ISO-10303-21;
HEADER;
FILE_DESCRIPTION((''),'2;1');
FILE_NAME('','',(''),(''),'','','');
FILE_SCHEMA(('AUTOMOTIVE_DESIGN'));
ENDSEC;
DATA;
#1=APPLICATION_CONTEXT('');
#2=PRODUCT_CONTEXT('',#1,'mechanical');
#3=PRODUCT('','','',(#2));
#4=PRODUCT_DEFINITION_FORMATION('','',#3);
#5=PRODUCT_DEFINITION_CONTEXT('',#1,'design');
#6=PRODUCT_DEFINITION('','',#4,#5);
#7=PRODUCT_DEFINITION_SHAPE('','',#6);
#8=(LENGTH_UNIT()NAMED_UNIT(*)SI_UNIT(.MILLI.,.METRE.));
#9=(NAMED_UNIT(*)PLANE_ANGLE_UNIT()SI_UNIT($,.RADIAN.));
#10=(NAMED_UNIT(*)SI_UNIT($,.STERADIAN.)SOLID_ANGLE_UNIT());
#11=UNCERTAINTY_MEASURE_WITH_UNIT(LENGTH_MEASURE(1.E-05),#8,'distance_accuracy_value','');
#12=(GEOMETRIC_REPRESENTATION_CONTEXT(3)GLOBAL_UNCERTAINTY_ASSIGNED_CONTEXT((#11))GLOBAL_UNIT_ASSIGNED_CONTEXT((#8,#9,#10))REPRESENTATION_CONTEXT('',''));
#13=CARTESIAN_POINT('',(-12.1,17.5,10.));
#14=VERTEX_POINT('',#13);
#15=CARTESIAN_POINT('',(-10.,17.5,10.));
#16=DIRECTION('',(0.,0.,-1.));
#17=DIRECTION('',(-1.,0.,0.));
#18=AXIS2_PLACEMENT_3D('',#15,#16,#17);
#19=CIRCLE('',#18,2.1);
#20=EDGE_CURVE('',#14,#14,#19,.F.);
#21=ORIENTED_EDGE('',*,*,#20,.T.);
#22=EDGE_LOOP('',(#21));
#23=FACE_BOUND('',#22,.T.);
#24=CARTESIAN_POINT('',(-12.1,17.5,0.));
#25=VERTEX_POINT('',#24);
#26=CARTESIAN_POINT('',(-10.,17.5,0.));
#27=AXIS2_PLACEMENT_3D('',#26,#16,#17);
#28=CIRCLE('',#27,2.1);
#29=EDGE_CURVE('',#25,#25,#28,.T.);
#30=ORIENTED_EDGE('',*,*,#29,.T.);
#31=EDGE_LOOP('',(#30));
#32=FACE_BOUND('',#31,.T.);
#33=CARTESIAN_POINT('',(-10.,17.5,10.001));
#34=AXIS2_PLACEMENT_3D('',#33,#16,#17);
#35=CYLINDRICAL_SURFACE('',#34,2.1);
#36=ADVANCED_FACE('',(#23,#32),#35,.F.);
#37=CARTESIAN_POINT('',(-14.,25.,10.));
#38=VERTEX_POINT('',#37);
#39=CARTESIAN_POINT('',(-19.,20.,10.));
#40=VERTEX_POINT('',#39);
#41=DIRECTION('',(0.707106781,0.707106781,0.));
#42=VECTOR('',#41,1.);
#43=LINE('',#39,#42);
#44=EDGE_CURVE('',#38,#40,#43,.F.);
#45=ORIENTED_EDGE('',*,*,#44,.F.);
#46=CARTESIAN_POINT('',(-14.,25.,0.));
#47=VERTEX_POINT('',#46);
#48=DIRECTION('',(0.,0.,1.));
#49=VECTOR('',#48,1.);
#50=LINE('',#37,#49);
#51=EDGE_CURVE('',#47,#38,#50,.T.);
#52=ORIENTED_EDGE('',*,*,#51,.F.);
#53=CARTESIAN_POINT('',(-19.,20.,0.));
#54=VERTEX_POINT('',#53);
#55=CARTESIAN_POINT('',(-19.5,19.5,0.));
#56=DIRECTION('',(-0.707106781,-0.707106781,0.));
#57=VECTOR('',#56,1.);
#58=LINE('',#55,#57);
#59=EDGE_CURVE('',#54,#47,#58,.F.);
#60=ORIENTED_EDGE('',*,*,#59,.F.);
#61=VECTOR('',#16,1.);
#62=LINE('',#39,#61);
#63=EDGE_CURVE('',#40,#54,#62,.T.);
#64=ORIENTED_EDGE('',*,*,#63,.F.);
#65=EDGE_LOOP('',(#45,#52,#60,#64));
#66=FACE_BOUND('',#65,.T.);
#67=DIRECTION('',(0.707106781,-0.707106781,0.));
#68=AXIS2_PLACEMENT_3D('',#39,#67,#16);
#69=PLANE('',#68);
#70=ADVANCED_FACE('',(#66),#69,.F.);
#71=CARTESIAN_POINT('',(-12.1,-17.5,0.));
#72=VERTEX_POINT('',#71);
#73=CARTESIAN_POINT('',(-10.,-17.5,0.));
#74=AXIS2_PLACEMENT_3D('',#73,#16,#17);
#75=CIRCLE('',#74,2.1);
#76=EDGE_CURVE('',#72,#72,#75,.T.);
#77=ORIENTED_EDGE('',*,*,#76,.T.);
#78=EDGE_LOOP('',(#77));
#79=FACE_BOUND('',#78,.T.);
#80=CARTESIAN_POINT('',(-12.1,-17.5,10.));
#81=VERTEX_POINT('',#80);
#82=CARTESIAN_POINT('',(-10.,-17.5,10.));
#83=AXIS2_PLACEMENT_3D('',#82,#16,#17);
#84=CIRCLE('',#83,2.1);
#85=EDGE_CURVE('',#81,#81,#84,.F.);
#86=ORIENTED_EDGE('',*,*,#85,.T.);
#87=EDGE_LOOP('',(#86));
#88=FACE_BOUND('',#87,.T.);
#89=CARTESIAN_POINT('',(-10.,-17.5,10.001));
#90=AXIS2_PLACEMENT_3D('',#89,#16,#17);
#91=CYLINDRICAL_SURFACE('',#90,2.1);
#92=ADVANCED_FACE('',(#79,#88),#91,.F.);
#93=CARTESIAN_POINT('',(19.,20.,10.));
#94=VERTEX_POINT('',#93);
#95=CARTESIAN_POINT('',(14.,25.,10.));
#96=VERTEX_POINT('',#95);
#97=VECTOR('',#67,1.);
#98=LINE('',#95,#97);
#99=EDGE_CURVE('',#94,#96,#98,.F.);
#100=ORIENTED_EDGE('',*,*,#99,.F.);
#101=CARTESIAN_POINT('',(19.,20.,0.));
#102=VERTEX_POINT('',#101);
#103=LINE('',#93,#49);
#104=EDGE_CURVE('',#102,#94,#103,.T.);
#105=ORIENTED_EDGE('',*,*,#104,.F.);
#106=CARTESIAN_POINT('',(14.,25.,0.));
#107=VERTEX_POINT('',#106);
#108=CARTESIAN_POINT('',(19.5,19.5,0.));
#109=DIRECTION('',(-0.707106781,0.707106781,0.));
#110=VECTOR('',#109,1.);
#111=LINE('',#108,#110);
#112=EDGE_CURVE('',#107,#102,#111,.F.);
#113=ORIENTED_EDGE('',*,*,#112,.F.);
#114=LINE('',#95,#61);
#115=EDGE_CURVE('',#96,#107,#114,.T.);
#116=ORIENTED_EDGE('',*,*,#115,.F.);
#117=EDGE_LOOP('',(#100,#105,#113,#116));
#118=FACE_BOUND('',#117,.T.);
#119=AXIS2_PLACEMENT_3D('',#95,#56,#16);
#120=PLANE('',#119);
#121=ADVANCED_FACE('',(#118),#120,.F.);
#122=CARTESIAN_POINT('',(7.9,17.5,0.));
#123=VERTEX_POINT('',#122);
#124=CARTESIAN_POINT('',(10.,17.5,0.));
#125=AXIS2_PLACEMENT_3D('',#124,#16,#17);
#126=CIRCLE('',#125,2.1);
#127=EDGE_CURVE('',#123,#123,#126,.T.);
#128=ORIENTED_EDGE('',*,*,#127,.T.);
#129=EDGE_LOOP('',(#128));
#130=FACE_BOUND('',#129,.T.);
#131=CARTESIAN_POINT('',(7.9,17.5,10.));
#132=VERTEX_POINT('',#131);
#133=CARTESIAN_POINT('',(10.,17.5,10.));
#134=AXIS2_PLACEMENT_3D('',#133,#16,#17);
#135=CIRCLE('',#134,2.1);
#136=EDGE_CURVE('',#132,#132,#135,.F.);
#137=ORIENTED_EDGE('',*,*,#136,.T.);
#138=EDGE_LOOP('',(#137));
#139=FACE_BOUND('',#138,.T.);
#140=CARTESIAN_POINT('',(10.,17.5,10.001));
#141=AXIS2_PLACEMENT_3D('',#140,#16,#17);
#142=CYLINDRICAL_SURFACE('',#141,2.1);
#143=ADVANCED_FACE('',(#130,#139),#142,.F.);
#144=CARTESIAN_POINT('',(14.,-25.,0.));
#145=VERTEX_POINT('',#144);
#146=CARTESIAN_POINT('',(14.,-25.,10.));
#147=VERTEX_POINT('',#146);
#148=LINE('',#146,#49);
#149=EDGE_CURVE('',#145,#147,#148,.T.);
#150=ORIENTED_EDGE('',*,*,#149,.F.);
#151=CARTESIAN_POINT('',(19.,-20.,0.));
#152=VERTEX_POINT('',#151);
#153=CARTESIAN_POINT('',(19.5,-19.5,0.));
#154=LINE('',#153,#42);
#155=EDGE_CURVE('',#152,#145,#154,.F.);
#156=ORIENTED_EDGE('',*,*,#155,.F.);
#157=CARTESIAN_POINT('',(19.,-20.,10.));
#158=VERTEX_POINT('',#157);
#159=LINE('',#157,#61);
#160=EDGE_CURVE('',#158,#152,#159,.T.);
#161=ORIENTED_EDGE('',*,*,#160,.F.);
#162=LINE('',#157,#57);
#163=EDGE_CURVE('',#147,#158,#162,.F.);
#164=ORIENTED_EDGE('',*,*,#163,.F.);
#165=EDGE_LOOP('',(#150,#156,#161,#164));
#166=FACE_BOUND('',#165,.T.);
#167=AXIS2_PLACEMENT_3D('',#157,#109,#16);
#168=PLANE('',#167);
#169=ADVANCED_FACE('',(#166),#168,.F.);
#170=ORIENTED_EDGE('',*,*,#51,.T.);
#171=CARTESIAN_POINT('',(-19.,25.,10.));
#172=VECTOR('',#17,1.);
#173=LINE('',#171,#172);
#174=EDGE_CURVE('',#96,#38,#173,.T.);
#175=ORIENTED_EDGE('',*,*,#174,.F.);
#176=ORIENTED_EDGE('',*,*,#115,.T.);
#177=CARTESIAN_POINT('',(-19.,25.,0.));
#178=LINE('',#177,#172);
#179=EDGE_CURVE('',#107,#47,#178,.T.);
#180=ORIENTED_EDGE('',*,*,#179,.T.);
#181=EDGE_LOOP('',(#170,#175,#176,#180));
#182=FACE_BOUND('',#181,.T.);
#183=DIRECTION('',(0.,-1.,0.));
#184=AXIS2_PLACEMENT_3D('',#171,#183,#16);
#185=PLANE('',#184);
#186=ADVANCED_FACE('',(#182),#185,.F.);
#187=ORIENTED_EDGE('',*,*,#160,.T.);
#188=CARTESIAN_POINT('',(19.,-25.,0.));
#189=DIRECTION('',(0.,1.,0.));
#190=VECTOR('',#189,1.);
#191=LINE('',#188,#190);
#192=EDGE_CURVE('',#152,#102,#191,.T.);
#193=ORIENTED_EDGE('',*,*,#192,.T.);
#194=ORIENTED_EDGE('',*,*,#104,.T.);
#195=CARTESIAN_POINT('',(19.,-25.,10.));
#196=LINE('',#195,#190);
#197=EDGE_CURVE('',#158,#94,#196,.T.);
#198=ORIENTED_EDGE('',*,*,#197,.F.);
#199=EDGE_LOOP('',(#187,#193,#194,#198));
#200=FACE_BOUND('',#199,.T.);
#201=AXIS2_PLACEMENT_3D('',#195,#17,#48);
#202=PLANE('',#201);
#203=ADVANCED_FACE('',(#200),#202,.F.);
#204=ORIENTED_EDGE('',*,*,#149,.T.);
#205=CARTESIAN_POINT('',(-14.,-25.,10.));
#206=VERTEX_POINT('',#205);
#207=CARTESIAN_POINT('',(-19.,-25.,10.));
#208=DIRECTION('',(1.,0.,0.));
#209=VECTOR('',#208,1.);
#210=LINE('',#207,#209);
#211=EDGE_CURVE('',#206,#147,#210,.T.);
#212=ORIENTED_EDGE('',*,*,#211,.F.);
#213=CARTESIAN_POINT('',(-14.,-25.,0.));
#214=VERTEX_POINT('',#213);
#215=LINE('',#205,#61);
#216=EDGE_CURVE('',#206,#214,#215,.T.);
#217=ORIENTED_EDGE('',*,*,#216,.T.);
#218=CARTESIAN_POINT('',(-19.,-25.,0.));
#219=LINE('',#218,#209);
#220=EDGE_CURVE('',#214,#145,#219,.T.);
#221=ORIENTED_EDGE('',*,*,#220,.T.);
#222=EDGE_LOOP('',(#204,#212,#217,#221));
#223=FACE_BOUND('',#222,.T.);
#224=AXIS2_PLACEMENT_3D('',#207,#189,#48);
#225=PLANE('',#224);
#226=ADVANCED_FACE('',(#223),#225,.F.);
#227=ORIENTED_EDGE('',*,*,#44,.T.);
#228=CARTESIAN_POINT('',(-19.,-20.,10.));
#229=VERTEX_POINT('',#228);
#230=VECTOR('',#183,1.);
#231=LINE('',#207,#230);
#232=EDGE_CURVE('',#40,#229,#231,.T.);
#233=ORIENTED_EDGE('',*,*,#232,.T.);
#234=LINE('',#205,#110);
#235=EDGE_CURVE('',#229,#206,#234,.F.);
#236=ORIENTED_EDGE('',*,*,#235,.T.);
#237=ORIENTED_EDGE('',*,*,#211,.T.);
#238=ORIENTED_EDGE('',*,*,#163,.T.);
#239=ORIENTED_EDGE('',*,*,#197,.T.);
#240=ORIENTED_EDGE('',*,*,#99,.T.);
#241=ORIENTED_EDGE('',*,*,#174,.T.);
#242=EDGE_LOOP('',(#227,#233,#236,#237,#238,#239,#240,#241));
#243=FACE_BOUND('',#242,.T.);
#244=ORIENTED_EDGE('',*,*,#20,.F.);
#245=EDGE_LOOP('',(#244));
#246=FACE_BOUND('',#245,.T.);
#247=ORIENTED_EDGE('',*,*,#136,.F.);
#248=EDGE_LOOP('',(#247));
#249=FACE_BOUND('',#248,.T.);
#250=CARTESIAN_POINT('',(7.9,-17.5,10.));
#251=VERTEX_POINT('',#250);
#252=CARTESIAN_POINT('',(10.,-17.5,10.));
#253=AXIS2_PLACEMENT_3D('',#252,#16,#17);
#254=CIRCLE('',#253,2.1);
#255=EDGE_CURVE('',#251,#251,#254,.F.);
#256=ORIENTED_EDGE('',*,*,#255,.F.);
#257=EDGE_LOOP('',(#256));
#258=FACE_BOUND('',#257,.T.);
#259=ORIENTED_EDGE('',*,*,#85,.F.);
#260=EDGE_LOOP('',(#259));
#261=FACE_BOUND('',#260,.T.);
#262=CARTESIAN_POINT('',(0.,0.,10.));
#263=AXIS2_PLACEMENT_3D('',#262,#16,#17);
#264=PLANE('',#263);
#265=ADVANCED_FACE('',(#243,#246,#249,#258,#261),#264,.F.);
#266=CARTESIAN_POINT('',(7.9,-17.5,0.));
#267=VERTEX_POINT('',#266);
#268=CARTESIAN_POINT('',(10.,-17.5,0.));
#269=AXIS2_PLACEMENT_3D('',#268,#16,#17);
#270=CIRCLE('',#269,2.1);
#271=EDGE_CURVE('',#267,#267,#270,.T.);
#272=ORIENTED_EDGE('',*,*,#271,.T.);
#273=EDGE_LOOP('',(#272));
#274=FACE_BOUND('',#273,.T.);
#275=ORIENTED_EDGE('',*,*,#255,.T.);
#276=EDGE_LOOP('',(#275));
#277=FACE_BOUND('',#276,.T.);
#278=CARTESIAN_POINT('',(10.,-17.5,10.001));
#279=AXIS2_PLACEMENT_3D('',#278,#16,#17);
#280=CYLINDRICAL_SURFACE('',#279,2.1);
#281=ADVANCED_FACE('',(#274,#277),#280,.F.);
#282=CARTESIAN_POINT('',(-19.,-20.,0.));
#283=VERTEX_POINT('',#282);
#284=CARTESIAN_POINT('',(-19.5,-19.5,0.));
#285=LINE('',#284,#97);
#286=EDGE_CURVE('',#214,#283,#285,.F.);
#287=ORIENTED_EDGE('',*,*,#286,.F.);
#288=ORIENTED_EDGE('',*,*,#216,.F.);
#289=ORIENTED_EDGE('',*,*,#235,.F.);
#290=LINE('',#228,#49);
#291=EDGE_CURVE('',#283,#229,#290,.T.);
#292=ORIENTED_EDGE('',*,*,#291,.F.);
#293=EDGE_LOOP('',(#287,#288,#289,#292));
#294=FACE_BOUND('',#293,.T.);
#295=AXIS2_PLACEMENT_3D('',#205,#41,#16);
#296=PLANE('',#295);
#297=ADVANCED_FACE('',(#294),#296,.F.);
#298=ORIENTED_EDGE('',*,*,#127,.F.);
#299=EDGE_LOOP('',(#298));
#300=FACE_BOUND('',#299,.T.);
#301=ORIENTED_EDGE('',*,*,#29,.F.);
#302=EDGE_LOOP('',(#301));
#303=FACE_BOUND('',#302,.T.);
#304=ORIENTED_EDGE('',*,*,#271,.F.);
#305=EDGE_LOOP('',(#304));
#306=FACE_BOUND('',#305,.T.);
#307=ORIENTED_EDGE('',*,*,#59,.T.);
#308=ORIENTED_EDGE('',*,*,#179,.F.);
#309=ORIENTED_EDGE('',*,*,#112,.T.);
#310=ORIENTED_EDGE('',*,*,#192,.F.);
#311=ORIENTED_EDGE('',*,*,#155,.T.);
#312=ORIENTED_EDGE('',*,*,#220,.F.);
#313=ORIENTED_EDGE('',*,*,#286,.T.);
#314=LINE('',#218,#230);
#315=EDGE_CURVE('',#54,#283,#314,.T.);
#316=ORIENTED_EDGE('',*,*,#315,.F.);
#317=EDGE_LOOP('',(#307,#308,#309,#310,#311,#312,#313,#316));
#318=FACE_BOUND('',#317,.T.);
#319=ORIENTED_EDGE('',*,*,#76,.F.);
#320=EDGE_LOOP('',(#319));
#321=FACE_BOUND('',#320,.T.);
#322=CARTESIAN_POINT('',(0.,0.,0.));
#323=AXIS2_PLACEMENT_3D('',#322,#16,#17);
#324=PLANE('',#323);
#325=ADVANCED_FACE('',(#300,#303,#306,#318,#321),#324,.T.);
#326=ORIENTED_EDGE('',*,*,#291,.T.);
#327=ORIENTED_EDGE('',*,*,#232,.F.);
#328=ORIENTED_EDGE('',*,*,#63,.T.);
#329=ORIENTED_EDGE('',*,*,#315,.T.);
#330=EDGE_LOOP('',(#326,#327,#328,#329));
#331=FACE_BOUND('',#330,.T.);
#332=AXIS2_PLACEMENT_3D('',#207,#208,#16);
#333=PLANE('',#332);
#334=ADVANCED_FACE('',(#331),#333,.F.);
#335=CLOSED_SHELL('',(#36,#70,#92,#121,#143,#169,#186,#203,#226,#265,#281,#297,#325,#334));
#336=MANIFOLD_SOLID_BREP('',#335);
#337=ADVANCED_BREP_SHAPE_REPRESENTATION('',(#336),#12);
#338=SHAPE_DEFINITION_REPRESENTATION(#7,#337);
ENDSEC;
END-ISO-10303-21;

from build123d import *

# Parameters (mm, degrees)
SKETCH_1_W          = 38
SKETCH_1_H          = 50
EXTRUDE_1_DEPTH     = 10
CHAMFER_1_SIZE      = 5
CUT_EXTRUDE_1_REACH = 34.955
SKETCH_2_R          = 2.1


with BuildPart() as part:
    # 草圖1 → 填料-伸長1 (new body)
    with BuildSketch(Plane.XY):
        Rectangle(SKETCH_1_W, SKETCH_1_H)
    extrude(amount=EXTRUDE_1_DEPTH)

    # 導角1
    chamfer_1_edges = [part.edges().sort_by_distance(p)[0] for p in [
        (19, -25, 5),
        (-19, -25, 5),
        (-19, 25, 5),
        (19, 25, 5),
    ]]
    chamfer(chamfer_1_edges, length=CHAMFER_1_SIZE)

    # 草圖2 → 除料-伸長1 (cut, up to next)
    with BuildSketch(Plane(origin=(0, 0, 0), x_dir=(-1, 0, 0), z_dir=(0, 0, -1)), mode=Mode.PRIVATE) as cut_extrude_1_sk1:
        with Locations((-10, 17.5)):
            Circle(SKETCH_2_R)
    cut_extrude_1_tool1 = extrude(cut_extrude_1_sk1.sketch, amount=-CUT_EXTRUDE_1_REACH, mode=Mode.PRIVATE) & part.part
    # 草圖2 → 除料-伸長1 (cut, up to next)
    with BuildSketch(Plane(origin=(0, 0, 0), x_dir=(-1, 0, 0), z_dir=(0, 0, -1)), mode=Mode.PRIVATE) as cut_extrude_1_sk2:
        with Locations((10, 17.5)):
            Circle(SKETCH_2_R)
    cut_extrude_1_tool2 = extrude(cut_extrude_1_sk2.sketch, amount=-CUT_EXTRUDE_1_REACH, mode=Mode.PRIVATE) & part.part
    # 草圖2 → 除料-伸長1 (cut, up to next)
    with BuildSketch(Plane(origin=(0, 0, 0), x_dir=(-1, 0, 0), z_dir=(0, 0, -1)), mode=Mode.PRIVATE) as cut_extrude_1_sk3:
        with Locations((-10, -17.5)):
            Circle(SKETCH_2_R)
    cut_extrude_1_tool3 = extrude(cut_extrude_1_sk3.sketch, amount=-CUT_EXTRUDE_1_REACH, mode=Mode.PRIVATE) & part.part
    # 草圖2 → 除料-伸長1 (cut, up to next)
    with BuildSketch(Plane(origin=(0, 0, 0), x_dir=(-1, 0, 0), z_dir=(0, 0, -1)), mode=Mode.PRIVATE) as cut_extrude_1_sk4:
        with Locations((10, -17.5)):
            Circle(SKETCH_2_R)
    cut_extrude_1_tool4 = extrude(cut_extrude_1_sk4.sketch, amount=-CUT_EXTRUDE_1_REACH, mode=Mode.PRIVATE) & part.part
    add(cut_extrude_1_tool1.solids().sort_by_distance((10, 17.5, 0))[0], mode=Mode.SUBTRACT)
    add(cut_extrude_1_tool2.solids().sort_by_distance((-10, 17.5, 0))[0], mode=Mode.SUBTRACT)
    add(cut_extrude_1_tool3.solids().sort_by_distance((10, -17.5, 0))[0], mode=Mode.SUBTRACT)
    add(cut_extrude_1_tool4.solids().sort_by_distance((-10, -17.5, 0))[0], mode=Mode.SUBTRACT)


solid = part.part
